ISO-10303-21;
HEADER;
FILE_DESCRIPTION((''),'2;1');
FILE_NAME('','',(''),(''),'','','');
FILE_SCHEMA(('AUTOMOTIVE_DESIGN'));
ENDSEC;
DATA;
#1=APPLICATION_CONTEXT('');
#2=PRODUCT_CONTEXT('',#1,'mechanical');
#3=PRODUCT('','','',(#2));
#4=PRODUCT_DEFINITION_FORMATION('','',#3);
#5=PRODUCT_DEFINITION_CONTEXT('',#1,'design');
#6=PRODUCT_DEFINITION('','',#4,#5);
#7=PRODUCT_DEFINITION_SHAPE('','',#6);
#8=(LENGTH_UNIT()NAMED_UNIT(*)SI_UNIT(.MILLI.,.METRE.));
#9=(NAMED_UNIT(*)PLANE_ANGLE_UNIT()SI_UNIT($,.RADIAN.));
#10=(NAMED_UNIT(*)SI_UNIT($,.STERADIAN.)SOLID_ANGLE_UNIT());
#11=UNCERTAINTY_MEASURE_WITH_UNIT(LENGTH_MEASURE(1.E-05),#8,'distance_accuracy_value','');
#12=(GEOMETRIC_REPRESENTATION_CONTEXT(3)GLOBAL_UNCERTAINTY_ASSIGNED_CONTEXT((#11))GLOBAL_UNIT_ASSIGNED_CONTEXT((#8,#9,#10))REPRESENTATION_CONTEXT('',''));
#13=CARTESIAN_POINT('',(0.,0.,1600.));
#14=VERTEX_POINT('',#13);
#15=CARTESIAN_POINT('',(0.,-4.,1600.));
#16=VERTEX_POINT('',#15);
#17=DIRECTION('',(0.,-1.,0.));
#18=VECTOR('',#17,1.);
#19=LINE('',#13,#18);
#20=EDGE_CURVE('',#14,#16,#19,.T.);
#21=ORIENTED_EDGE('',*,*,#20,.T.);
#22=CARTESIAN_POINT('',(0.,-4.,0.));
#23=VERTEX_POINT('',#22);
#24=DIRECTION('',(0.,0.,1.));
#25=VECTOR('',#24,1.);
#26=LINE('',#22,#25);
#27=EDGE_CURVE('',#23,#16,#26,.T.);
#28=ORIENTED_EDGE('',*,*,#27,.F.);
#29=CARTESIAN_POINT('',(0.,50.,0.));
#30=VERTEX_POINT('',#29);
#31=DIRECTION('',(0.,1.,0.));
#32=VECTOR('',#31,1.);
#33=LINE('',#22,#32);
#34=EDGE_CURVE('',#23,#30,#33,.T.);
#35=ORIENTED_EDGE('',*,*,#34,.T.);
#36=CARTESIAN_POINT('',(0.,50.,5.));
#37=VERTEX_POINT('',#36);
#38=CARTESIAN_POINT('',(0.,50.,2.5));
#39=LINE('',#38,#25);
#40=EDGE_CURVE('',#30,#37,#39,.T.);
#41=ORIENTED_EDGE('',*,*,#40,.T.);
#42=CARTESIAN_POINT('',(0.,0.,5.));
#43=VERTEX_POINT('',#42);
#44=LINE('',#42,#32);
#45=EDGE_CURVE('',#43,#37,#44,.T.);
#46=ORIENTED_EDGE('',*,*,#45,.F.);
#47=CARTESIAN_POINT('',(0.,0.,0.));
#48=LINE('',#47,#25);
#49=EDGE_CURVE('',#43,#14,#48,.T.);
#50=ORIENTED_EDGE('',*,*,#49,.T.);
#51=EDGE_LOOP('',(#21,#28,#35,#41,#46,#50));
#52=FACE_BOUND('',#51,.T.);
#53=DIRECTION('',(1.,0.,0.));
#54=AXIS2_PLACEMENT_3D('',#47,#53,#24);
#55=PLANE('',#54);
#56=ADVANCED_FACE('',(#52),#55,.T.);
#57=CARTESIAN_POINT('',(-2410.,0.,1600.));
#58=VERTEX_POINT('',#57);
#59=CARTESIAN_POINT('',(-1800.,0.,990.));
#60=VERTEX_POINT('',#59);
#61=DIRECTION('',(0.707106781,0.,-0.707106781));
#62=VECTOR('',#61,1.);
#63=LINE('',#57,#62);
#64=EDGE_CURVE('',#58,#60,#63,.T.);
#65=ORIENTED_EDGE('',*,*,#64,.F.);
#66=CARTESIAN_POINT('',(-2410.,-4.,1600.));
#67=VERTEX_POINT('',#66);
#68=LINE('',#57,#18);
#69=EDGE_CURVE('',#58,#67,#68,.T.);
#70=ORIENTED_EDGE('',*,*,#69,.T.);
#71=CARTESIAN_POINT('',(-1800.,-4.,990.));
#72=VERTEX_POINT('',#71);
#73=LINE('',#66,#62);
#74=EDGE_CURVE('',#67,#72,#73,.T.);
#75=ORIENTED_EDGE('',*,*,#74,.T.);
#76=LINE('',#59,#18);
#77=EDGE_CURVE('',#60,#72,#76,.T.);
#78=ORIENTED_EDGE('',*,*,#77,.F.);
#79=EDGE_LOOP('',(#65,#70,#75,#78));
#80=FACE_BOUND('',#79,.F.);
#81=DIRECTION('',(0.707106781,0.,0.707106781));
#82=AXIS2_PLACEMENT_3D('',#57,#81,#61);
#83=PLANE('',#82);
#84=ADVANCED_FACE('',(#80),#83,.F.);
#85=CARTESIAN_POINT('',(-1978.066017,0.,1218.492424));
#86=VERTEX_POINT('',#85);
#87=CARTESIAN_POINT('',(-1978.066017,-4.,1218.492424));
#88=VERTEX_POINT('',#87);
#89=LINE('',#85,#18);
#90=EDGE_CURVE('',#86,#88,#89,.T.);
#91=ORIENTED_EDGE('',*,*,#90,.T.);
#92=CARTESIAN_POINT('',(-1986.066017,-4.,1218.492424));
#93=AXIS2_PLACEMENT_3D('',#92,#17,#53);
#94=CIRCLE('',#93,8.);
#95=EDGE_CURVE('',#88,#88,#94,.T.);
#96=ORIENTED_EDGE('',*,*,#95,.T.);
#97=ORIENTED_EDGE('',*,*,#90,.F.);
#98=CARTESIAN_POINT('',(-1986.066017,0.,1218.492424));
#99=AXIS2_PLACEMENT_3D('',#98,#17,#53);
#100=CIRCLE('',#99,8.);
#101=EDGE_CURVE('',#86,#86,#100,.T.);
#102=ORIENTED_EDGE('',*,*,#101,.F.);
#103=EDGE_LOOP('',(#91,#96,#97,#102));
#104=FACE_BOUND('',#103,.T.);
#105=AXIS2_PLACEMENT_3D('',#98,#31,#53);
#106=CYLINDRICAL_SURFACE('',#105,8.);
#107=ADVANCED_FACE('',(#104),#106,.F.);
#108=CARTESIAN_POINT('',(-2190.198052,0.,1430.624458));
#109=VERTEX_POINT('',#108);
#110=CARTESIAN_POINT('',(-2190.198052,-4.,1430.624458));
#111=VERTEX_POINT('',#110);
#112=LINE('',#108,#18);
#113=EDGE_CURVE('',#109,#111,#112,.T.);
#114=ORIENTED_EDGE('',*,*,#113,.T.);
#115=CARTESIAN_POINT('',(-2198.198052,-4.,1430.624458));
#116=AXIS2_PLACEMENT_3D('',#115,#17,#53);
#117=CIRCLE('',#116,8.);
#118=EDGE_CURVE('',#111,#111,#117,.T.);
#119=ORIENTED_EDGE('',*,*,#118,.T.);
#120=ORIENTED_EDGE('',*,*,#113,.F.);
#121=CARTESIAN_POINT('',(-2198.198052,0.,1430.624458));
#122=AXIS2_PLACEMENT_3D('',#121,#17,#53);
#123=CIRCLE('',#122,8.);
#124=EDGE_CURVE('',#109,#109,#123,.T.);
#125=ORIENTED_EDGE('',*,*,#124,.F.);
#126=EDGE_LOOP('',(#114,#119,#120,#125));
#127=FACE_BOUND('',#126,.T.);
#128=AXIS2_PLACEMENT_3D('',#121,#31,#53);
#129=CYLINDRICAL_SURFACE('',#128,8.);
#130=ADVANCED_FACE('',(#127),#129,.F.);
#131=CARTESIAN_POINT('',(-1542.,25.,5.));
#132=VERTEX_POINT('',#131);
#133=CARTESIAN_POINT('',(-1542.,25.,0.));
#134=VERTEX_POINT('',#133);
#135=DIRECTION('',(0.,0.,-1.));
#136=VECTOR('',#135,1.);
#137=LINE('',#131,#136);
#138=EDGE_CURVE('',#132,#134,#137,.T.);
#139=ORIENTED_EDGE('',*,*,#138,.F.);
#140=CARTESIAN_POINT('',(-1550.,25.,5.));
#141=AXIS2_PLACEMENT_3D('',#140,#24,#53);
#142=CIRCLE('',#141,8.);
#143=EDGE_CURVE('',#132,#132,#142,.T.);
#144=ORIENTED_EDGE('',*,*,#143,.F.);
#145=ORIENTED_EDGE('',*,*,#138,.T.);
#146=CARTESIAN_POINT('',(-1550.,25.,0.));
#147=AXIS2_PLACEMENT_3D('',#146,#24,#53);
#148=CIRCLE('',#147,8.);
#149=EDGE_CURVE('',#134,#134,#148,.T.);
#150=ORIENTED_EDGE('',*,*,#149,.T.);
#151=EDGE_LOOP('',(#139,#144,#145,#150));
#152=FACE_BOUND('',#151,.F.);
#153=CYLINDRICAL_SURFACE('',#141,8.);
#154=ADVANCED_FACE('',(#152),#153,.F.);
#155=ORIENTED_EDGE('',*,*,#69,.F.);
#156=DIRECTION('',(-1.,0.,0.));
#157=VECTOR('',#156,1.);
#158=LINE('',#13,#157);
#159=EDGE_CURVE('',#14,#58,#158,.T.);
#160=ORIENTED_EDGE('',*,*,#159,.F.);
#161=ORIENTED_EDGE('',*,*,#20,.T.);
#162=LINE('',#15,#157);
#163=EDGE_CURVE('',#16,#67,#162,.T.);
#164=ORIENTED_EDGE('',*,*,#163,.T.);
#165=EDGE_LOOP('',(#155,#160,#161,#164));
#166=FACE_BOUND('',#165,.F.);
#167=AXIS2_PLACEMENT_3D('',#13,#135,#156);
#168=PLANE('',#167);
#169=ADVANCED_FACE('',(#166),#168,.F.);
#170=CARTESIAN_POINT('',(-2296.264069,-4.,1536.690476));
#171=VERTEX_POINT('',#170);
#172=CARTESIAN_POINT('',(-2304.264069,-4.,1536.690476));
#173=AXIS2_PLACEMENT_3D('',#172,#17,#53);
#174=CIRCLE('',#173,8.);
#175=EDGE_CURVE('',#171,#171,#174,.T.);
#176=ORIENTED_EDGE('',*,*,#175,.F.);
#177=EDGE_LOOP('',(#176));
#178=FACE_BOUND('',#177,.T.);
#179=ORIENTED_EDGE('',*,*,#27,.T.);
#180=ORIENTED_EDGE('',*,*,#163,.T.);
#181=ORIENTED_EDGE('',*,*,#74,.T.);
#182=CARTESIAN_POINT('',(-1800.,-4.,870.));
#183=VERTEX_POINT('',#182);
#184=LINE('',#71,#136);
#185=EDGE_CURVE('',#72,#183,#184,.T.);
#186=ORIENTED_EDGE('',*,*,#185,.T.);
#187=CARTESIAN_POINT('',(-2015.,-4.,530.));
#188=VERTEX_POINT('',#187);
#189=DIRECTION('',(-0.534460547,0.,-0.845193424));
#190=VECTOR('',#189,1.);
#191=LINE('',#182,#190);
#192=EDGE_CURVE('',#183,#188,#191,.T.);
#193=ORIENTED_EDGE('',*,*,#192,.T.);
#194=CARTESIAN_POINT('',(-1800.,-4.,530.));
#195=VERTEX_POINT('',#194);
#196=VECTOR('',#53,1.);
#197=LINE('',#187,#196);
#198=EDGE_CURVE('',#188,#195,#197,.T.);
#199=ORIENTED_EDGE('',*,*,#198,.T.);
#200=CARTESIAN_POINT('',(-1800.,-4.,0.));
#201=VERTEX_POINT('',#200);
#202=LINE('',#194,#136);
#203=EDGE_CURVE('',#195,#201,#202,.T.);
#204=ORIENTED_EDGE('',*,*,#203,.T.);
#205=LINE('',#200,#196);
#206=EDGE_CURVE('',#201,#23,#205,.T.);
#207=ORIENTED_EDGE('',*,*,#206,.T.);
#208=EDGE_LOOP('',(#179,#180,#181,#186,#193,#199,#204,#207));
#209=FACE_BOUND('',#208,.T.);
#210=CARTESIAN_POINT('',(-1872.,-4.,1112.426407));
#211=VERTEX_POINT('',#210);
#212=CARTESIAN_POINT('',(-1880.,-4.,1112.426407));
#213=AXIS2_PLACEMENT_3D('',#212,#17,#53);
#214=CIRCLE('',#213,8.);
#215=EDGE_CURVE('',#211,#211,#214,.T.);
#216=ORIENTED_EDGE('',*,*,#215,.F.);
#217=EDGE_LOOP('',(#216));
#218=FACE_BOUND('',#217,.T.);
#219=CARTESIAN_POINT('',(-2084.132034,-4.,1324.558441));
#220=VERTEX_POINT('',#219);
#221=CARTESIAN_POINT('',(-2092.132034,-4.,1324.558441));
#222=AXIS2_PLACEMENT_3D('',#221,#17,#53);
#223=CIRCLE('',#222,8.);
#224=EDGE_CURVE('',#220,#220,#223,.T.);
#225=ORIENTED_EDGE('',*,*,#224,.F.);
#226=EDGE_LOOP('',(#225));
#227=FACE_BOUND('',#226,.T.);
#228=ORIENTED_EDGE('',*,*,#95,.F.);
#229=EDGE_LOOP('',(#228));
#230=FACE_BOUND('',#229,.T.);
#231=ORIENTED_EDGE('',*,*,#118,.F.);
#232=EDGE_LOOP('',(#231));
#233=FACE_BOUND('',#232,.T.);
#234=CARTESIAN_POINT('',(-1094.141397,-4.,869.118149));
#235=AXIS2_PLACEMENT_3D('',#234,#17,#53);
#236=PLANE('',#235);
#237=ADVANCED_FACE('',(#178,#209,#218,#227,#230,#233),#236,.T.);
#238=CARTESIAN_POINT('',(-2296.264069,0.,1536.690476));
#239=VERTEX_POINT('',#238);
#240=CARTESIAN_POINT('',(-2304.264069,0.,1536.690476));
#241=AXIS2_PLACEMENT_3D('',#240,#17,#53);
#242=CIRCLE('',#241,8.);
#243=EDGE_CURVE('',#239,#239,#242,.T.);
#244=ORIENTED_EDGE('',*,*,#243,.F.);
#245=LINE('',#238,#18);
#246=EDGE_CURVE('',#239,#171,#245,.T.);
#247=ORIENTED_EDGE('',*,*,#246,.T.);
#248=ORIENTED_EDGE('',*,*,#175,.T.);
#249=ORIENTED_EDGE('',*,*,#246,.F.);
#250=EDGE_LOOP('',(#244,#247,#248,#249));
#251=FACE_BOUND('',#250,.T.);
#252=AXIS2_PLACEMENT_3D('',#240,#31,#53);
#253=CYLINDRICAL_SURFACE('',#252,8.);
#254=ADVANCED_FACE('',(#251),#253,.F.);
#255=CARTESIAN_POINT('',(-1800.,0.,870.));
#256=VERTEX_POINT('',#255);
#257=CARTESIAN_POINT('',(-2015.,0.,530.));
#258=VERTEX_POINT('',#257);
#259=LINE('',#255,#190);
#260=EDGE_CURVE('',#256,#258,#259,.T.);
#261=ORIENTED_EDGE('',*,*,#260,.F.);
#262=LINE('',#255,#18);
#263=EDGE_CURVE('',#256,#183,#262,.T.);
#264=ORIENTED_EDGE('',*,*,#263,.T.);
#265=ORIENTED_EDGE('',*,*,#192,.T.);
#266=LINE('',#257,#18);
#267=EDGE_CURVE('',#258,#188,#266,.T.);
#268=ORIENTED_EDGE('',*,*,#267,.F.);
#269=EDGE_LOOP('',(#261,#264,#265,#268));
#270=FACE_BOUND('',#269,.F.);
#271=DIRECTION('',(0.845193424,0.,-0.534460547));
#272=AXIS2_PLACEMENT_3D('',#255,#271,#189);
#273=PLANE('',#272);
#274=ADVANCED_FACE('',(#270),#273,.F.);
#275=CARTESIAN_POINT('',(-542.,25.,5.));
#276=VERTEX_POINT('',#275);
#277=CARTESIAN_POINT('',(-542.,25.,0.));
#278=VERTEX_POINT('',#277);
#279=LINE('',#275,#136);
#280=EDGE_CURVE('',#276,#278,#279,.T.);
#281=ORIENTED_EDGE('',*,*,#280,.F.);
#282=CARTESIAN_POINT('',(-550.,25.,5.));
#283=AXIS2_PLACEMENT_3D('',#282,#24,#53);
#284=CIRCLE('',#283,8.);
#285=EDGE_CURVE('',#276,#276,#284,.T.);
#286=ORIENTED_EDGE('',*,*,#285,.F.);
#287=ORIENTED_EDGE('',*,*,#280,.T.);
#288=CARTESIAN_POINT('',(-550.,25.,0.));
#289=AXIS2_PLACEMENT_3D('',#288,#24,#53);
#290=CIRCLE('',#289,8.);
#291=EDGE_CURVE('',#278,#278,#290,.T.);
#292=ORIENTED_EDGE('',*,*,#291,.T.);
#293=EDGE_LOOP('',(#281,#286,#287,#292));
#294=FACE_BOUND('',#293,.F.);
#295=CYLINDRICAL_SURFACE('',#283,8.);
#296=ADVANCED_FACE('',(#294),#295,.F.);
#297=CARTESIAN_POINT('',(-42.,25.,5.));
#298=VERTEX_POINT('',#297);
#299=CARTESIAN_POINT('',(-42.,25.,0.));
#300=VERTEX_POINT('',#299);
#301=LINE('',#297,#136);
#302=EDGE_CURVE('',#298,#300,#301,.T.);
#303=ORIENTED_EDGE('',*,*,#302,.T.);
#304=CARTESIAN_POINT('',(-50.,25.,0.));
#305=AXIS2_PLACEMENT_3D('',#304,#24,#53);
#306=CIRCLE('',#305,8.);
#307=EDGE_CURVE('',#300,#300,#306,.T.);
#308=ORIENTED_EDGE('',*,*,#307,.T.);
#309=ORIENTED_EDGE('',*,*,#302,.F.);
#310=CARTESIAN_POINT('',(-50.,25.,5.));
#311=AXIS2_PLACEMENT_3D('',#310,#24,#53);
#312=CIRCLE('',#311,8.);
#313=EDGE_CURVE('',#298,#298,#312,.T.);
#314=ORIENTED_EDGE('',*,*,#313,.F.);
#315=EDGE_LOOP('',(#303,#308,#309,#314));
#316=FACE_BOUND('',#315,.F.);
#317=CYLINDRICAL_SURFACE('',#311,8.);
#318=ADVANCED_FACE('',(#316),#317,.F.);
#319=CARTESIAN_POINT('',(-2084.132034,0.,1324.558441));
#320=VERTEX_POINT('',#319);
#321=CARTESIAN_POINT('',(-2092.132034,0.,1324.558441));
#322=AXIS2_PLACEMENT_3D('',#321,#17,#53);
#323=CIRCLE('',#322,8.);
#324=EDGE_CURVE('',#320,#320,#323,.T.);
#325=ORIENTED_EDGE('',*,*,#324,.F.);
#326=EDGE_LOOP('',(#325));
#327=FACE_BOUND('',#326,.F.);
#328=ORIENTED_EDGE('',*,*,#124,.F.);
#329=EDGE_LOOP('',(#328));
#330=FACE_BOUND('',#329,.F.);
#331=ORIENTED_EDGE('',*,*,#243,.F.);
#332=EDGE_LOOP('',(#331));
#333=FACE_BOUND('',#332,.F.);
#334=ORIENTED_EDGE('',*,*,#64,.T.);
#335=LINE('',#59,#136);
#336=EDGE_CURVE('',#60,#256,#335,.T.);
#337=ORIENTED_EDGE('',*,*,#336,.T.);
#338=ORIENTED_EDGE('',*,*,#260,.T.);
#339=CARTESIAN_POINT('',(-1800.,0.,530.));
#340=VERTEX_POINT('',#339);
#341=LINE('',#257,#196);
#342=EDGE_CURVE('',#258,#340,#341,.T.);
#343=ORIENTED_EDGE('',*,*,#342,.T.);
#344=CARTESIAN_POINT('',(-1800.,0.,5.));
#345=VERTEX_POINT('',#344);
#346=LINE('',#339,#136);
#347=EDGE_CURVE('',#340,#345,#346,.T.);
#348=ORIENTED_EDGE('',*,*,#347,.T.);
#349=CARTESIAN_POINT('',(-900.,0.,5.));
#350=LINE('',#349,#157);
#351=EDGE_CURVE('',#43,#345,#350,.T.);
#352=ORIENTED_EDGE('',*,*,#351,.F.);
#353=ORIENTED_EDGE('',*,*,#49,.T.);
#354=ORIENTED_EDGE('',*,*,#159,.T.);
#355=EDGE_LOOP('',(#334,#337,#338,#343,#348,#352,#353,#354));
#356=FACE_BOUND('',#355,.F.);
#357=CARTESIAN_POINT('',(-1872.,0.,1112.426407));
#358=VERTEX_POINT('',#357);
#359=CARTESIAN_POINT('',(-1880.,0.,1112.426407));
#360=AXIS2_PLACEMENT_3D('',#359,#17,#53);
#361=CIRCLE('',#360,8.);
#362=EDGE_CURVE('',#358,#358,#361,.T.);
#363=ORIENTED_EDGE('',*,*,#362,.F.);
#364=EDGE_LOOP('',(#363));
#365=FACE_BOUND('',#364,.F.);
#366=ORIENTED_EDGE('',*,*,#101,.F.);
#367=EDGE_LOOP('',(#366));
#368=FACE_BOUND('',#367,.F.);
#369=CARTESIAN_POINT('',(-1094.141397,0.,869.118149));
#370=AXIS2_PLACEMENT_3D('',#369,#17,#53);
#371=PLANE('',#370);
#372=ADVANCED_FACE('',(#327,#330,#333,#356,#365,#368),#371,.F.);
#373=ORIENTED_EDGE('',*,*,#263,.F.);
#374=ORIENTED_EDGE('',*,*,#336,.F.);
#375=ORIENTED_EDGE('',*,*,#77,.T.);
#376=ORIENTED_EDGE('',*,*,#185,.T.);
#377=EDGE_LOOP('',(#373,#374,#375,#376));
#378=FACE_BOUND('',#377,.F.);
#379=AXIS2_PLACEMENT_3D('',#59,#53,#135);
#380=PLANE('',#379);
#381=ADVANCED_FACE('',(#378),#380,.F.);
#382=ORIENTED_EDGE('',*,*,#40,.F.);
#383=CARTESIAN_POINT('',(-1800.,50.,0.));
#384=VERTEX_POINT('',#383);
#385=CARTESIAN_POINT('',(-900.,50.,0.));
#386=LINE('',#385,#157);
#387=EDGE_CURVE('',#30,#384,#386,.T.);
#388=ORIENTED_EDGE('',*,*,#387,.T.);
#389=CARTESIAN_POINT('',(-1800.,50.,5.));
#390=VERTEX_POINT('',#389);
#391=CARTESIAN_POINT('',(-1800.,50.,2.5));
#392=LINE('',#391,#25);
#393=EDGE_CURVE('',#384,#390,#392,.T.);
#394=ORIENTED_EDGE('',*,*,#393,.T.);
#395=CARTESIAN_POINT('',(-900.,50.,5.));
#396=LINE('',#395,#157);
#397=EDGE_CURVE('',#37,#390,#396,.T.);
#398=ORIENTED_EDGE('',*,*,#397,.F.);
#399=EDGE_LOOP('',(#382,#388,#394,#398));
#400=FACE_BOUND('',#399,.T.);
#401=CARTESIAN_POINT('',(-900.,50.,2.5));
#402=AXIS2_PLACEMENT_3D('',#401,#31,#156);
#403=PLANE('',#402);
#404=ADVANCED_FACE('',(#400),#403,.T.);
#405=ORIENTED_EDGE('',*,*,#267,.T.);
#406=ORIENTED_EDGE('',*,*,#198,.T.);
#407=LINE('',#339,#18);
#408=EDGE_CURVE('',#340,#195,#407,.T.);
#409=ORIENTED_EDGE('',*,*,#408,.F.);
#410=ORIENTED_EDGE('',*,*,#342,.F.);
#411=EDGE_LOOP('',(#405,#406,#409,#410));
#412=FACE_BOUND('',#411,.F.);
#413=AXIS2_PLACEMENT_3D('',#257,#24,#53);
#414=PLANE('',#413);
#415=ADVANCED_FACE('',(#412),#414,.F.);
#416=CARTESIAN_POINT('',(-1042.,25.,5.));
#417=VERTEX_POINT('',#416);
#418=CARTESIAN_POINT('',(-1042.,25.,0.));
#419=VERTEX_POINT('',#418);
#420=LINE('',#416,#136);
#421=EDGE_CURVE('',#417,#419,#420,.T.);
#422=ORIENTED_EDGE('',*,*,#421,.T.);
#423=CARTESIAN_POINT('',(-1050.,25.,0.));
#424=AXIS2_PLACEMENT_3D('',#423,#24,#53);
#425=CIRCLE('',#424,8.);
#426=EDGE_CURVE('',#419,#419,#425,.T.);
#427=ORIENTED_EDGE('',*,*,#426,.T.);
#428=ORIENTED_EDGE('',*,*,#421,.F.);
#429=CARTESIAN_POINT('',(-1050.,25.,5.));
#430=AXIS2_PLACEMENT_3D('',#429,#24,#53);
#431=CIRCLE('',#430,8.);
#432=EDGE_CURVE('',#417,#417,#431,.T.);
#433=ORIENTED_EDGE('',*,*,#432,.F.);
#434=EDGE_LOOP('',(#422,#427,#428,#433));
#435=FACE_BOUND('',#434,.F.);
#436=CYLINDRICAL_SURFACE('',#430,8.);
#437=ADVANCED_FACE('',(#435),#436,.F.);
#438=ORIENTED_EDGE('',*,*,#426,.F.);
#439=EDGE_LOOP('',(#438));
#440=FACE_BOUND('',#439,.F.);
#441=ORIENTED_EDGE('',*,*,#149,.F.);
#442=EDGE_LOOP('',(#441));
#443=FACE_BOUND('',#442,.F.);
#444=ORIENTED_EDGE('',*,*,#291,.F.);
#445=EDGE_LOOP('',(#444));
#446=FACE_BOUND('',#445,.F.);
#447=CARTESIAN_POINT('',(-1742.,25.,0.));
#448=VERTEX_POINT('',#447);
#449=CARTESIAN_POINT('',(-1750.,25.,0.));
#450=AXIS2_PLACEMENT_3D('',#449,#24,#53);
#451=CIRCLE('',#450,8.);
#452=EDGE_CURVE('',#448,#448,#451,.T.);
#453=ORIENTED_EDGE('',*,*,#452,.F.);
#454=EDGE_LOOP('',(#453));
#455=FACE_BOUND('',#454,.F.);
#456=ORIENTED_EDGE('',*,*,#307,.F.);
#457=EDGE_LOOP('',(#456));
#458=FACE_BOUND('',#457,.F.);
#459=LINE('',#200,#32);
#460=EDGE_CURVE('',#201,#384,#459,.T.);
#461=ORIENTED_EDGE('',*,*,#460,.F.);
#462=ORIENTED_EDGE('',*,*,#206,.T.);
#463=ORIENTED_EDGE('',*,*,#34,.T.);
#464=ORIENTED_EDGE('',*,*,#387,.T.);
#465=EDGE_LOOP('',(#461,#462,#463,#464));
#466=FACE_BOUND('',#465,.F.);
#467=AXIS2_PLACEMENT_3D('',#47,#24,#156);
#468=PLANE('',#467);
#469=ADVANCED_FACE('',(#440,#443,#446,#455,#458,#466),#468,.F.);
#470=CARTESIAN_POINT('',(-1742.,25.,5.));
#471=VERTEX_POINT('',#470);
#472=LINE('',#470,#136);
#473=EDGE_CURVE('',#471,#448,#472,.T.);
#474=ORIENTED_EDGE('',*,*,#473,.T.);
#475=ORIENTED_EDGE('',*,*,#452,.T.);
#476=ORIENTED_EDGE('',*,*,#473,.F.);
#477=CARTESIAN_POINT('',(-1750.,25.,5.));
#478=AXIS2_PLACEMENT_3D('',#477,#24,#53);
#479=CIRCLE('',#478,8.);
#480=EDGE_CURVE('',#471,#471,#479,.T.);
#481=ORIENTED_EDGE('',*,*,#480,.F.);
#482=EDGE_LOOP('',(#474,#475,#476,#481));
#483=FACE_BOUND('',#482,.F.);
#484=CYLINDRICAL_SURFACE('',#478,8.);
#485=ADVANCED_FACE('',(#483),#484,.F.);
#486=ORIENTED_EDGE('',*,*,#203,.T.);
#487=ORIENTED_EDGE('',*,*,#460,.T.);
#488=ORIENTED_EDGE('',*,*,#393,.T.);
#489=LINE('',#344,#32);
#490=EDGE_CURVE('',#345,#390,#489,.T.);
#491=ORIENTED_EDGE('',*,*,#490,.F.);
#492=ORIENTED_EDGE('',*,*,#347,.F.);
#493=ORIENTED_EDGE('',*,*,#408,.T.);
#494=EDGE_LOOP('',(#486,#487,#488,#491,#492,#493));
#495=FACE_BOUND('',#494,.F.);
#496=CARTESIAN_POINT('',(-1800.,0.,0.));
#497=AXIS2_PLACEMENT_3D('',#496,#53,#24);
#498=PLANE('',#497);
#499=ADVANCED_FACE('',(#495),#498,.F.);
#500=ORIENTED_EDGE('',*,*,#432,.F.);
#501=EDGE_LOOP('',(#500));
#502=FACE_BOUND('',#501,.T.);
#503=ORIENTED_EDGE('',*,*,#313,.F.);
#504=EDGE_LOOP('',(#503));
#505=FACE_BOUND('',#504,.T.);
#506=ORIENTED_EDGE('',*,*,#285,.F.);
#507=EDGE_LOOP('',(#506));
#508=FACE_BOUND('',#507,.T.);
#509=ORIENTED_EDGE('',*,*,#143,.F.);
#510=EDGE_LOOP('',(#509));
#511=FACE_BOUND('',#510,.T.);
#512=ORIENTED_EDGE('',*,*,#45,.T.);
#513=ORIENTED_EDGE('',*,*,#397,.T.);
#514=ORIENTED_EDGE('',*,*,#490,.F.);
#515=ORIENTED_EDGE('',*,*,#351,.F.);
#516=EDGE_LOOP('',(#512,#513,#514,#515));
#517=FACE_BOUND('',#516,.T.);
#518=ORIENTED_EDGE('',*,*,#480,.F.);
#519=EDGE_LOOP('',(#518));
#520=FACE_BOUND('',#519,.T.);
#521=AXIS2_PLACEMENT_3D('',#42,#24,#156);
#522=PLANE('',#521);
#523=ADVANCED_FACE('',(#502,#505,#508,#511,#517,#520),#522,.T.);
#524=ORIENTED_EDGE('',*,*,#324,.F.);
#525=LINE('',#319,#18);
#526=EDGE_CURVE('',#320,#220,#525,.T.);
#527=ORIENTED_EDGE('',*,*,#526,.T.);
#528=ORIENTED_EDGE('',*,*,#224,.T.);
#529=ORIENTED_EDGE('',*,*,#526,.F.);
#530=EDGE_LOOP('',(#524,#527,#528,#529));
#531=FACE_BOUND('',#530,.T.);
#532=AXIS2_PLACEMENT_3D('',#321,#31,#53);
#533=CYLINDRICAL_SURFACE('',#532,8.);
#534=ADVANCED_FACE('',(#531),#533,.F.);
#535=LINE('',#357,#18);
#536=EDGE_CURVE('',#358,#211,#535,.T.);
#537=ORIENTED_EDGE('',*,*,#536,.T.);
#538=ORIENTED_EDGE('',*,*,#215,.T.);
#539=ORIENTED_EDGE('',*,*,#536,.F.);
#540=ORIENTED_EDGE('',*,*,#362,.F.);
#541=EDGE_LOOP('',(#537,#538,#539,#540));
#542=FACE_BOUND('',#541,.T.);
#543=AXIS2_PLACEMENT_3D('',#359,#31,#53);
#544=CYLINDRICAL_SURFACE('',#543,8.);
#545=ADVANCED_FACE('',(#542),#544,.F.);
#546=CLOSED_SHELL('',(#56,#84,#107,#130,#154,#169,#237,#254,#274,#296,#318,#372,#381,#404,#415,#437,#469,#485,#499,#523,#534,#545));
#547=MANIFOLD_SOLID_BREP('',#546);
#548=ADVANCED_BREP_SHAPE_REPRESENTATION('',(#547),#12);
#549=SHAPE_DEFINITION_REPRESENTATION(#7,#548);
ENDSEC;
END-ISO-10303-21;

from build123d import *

# Parameters (mm, degrees)
F0_R     = 8
F1_DEPTH = 4
F2_W     = 1800
F2_H     = 5
F3_DEPTH = 50
F4_R     = 8
F5_DEPTH = 25


with BuildPart() as f1:
    # F0 (on Front) → F1 (new body)
    with BuildSketch(Plane.XZ):
        Polygon((-1800, 0), (0, 0), (0, 1600), (-2410, 1600), (-1800, 990), (-1800, 870), (-2015, 530), (-1800, 530), align=None)
        with Locations((-1880, 1112.426407)):
            Circle(F0_R, mode=Mode.SUBTRACT)
        with Locations((-1986.066017, 1218.492424)):
            Circle(F0_R, mode=Mode.SUBTRACT)
        with Locations((-2092.132034, 1324.558441)):
            Circle(F0_R, mode=Mode.SUBTRACT)
        with Locations((-2198.198052, 1430.624458)):
            Circle(F0_R, mode=Mode.SUBTRACT)
        with Locations((-2304.264069, 1536.690476)):
            Circle(F0_R, mode=Mode.SUBTRACT)
    extrude(amount=F1_DEPTH)

    # F2 (on face) → F3 (join)
    with BuildSketch(Plane(origin=(0, 0, 0), x_dir=(-1, 0, 0), z_dir=(0, 1, 0))):
        with Locations((900, 2.5)):
            Rectangle(F2_W, F2_H)
    extrude(amount=F3_DEPTH)

    # F4 (on face) → F5 (cut)
    with BuildSketch(Plane.XY.offset(5)):
        with Locations((-50, 25)):
            Circle(F4_R)
        with Locations((-550, 25)):
            Circle(F4_R)
        with Locations((-1050, 25)):
            Circle(F4_R)
        with Locations((-1550, 25)):
            Circle(F4_R)
        with Locations((-1750, 25)):
            Circle(F4_R)
    extrude(amount=-F5_DEPTH, mode=Mode.SUBTRACT)


solid = f1.part
